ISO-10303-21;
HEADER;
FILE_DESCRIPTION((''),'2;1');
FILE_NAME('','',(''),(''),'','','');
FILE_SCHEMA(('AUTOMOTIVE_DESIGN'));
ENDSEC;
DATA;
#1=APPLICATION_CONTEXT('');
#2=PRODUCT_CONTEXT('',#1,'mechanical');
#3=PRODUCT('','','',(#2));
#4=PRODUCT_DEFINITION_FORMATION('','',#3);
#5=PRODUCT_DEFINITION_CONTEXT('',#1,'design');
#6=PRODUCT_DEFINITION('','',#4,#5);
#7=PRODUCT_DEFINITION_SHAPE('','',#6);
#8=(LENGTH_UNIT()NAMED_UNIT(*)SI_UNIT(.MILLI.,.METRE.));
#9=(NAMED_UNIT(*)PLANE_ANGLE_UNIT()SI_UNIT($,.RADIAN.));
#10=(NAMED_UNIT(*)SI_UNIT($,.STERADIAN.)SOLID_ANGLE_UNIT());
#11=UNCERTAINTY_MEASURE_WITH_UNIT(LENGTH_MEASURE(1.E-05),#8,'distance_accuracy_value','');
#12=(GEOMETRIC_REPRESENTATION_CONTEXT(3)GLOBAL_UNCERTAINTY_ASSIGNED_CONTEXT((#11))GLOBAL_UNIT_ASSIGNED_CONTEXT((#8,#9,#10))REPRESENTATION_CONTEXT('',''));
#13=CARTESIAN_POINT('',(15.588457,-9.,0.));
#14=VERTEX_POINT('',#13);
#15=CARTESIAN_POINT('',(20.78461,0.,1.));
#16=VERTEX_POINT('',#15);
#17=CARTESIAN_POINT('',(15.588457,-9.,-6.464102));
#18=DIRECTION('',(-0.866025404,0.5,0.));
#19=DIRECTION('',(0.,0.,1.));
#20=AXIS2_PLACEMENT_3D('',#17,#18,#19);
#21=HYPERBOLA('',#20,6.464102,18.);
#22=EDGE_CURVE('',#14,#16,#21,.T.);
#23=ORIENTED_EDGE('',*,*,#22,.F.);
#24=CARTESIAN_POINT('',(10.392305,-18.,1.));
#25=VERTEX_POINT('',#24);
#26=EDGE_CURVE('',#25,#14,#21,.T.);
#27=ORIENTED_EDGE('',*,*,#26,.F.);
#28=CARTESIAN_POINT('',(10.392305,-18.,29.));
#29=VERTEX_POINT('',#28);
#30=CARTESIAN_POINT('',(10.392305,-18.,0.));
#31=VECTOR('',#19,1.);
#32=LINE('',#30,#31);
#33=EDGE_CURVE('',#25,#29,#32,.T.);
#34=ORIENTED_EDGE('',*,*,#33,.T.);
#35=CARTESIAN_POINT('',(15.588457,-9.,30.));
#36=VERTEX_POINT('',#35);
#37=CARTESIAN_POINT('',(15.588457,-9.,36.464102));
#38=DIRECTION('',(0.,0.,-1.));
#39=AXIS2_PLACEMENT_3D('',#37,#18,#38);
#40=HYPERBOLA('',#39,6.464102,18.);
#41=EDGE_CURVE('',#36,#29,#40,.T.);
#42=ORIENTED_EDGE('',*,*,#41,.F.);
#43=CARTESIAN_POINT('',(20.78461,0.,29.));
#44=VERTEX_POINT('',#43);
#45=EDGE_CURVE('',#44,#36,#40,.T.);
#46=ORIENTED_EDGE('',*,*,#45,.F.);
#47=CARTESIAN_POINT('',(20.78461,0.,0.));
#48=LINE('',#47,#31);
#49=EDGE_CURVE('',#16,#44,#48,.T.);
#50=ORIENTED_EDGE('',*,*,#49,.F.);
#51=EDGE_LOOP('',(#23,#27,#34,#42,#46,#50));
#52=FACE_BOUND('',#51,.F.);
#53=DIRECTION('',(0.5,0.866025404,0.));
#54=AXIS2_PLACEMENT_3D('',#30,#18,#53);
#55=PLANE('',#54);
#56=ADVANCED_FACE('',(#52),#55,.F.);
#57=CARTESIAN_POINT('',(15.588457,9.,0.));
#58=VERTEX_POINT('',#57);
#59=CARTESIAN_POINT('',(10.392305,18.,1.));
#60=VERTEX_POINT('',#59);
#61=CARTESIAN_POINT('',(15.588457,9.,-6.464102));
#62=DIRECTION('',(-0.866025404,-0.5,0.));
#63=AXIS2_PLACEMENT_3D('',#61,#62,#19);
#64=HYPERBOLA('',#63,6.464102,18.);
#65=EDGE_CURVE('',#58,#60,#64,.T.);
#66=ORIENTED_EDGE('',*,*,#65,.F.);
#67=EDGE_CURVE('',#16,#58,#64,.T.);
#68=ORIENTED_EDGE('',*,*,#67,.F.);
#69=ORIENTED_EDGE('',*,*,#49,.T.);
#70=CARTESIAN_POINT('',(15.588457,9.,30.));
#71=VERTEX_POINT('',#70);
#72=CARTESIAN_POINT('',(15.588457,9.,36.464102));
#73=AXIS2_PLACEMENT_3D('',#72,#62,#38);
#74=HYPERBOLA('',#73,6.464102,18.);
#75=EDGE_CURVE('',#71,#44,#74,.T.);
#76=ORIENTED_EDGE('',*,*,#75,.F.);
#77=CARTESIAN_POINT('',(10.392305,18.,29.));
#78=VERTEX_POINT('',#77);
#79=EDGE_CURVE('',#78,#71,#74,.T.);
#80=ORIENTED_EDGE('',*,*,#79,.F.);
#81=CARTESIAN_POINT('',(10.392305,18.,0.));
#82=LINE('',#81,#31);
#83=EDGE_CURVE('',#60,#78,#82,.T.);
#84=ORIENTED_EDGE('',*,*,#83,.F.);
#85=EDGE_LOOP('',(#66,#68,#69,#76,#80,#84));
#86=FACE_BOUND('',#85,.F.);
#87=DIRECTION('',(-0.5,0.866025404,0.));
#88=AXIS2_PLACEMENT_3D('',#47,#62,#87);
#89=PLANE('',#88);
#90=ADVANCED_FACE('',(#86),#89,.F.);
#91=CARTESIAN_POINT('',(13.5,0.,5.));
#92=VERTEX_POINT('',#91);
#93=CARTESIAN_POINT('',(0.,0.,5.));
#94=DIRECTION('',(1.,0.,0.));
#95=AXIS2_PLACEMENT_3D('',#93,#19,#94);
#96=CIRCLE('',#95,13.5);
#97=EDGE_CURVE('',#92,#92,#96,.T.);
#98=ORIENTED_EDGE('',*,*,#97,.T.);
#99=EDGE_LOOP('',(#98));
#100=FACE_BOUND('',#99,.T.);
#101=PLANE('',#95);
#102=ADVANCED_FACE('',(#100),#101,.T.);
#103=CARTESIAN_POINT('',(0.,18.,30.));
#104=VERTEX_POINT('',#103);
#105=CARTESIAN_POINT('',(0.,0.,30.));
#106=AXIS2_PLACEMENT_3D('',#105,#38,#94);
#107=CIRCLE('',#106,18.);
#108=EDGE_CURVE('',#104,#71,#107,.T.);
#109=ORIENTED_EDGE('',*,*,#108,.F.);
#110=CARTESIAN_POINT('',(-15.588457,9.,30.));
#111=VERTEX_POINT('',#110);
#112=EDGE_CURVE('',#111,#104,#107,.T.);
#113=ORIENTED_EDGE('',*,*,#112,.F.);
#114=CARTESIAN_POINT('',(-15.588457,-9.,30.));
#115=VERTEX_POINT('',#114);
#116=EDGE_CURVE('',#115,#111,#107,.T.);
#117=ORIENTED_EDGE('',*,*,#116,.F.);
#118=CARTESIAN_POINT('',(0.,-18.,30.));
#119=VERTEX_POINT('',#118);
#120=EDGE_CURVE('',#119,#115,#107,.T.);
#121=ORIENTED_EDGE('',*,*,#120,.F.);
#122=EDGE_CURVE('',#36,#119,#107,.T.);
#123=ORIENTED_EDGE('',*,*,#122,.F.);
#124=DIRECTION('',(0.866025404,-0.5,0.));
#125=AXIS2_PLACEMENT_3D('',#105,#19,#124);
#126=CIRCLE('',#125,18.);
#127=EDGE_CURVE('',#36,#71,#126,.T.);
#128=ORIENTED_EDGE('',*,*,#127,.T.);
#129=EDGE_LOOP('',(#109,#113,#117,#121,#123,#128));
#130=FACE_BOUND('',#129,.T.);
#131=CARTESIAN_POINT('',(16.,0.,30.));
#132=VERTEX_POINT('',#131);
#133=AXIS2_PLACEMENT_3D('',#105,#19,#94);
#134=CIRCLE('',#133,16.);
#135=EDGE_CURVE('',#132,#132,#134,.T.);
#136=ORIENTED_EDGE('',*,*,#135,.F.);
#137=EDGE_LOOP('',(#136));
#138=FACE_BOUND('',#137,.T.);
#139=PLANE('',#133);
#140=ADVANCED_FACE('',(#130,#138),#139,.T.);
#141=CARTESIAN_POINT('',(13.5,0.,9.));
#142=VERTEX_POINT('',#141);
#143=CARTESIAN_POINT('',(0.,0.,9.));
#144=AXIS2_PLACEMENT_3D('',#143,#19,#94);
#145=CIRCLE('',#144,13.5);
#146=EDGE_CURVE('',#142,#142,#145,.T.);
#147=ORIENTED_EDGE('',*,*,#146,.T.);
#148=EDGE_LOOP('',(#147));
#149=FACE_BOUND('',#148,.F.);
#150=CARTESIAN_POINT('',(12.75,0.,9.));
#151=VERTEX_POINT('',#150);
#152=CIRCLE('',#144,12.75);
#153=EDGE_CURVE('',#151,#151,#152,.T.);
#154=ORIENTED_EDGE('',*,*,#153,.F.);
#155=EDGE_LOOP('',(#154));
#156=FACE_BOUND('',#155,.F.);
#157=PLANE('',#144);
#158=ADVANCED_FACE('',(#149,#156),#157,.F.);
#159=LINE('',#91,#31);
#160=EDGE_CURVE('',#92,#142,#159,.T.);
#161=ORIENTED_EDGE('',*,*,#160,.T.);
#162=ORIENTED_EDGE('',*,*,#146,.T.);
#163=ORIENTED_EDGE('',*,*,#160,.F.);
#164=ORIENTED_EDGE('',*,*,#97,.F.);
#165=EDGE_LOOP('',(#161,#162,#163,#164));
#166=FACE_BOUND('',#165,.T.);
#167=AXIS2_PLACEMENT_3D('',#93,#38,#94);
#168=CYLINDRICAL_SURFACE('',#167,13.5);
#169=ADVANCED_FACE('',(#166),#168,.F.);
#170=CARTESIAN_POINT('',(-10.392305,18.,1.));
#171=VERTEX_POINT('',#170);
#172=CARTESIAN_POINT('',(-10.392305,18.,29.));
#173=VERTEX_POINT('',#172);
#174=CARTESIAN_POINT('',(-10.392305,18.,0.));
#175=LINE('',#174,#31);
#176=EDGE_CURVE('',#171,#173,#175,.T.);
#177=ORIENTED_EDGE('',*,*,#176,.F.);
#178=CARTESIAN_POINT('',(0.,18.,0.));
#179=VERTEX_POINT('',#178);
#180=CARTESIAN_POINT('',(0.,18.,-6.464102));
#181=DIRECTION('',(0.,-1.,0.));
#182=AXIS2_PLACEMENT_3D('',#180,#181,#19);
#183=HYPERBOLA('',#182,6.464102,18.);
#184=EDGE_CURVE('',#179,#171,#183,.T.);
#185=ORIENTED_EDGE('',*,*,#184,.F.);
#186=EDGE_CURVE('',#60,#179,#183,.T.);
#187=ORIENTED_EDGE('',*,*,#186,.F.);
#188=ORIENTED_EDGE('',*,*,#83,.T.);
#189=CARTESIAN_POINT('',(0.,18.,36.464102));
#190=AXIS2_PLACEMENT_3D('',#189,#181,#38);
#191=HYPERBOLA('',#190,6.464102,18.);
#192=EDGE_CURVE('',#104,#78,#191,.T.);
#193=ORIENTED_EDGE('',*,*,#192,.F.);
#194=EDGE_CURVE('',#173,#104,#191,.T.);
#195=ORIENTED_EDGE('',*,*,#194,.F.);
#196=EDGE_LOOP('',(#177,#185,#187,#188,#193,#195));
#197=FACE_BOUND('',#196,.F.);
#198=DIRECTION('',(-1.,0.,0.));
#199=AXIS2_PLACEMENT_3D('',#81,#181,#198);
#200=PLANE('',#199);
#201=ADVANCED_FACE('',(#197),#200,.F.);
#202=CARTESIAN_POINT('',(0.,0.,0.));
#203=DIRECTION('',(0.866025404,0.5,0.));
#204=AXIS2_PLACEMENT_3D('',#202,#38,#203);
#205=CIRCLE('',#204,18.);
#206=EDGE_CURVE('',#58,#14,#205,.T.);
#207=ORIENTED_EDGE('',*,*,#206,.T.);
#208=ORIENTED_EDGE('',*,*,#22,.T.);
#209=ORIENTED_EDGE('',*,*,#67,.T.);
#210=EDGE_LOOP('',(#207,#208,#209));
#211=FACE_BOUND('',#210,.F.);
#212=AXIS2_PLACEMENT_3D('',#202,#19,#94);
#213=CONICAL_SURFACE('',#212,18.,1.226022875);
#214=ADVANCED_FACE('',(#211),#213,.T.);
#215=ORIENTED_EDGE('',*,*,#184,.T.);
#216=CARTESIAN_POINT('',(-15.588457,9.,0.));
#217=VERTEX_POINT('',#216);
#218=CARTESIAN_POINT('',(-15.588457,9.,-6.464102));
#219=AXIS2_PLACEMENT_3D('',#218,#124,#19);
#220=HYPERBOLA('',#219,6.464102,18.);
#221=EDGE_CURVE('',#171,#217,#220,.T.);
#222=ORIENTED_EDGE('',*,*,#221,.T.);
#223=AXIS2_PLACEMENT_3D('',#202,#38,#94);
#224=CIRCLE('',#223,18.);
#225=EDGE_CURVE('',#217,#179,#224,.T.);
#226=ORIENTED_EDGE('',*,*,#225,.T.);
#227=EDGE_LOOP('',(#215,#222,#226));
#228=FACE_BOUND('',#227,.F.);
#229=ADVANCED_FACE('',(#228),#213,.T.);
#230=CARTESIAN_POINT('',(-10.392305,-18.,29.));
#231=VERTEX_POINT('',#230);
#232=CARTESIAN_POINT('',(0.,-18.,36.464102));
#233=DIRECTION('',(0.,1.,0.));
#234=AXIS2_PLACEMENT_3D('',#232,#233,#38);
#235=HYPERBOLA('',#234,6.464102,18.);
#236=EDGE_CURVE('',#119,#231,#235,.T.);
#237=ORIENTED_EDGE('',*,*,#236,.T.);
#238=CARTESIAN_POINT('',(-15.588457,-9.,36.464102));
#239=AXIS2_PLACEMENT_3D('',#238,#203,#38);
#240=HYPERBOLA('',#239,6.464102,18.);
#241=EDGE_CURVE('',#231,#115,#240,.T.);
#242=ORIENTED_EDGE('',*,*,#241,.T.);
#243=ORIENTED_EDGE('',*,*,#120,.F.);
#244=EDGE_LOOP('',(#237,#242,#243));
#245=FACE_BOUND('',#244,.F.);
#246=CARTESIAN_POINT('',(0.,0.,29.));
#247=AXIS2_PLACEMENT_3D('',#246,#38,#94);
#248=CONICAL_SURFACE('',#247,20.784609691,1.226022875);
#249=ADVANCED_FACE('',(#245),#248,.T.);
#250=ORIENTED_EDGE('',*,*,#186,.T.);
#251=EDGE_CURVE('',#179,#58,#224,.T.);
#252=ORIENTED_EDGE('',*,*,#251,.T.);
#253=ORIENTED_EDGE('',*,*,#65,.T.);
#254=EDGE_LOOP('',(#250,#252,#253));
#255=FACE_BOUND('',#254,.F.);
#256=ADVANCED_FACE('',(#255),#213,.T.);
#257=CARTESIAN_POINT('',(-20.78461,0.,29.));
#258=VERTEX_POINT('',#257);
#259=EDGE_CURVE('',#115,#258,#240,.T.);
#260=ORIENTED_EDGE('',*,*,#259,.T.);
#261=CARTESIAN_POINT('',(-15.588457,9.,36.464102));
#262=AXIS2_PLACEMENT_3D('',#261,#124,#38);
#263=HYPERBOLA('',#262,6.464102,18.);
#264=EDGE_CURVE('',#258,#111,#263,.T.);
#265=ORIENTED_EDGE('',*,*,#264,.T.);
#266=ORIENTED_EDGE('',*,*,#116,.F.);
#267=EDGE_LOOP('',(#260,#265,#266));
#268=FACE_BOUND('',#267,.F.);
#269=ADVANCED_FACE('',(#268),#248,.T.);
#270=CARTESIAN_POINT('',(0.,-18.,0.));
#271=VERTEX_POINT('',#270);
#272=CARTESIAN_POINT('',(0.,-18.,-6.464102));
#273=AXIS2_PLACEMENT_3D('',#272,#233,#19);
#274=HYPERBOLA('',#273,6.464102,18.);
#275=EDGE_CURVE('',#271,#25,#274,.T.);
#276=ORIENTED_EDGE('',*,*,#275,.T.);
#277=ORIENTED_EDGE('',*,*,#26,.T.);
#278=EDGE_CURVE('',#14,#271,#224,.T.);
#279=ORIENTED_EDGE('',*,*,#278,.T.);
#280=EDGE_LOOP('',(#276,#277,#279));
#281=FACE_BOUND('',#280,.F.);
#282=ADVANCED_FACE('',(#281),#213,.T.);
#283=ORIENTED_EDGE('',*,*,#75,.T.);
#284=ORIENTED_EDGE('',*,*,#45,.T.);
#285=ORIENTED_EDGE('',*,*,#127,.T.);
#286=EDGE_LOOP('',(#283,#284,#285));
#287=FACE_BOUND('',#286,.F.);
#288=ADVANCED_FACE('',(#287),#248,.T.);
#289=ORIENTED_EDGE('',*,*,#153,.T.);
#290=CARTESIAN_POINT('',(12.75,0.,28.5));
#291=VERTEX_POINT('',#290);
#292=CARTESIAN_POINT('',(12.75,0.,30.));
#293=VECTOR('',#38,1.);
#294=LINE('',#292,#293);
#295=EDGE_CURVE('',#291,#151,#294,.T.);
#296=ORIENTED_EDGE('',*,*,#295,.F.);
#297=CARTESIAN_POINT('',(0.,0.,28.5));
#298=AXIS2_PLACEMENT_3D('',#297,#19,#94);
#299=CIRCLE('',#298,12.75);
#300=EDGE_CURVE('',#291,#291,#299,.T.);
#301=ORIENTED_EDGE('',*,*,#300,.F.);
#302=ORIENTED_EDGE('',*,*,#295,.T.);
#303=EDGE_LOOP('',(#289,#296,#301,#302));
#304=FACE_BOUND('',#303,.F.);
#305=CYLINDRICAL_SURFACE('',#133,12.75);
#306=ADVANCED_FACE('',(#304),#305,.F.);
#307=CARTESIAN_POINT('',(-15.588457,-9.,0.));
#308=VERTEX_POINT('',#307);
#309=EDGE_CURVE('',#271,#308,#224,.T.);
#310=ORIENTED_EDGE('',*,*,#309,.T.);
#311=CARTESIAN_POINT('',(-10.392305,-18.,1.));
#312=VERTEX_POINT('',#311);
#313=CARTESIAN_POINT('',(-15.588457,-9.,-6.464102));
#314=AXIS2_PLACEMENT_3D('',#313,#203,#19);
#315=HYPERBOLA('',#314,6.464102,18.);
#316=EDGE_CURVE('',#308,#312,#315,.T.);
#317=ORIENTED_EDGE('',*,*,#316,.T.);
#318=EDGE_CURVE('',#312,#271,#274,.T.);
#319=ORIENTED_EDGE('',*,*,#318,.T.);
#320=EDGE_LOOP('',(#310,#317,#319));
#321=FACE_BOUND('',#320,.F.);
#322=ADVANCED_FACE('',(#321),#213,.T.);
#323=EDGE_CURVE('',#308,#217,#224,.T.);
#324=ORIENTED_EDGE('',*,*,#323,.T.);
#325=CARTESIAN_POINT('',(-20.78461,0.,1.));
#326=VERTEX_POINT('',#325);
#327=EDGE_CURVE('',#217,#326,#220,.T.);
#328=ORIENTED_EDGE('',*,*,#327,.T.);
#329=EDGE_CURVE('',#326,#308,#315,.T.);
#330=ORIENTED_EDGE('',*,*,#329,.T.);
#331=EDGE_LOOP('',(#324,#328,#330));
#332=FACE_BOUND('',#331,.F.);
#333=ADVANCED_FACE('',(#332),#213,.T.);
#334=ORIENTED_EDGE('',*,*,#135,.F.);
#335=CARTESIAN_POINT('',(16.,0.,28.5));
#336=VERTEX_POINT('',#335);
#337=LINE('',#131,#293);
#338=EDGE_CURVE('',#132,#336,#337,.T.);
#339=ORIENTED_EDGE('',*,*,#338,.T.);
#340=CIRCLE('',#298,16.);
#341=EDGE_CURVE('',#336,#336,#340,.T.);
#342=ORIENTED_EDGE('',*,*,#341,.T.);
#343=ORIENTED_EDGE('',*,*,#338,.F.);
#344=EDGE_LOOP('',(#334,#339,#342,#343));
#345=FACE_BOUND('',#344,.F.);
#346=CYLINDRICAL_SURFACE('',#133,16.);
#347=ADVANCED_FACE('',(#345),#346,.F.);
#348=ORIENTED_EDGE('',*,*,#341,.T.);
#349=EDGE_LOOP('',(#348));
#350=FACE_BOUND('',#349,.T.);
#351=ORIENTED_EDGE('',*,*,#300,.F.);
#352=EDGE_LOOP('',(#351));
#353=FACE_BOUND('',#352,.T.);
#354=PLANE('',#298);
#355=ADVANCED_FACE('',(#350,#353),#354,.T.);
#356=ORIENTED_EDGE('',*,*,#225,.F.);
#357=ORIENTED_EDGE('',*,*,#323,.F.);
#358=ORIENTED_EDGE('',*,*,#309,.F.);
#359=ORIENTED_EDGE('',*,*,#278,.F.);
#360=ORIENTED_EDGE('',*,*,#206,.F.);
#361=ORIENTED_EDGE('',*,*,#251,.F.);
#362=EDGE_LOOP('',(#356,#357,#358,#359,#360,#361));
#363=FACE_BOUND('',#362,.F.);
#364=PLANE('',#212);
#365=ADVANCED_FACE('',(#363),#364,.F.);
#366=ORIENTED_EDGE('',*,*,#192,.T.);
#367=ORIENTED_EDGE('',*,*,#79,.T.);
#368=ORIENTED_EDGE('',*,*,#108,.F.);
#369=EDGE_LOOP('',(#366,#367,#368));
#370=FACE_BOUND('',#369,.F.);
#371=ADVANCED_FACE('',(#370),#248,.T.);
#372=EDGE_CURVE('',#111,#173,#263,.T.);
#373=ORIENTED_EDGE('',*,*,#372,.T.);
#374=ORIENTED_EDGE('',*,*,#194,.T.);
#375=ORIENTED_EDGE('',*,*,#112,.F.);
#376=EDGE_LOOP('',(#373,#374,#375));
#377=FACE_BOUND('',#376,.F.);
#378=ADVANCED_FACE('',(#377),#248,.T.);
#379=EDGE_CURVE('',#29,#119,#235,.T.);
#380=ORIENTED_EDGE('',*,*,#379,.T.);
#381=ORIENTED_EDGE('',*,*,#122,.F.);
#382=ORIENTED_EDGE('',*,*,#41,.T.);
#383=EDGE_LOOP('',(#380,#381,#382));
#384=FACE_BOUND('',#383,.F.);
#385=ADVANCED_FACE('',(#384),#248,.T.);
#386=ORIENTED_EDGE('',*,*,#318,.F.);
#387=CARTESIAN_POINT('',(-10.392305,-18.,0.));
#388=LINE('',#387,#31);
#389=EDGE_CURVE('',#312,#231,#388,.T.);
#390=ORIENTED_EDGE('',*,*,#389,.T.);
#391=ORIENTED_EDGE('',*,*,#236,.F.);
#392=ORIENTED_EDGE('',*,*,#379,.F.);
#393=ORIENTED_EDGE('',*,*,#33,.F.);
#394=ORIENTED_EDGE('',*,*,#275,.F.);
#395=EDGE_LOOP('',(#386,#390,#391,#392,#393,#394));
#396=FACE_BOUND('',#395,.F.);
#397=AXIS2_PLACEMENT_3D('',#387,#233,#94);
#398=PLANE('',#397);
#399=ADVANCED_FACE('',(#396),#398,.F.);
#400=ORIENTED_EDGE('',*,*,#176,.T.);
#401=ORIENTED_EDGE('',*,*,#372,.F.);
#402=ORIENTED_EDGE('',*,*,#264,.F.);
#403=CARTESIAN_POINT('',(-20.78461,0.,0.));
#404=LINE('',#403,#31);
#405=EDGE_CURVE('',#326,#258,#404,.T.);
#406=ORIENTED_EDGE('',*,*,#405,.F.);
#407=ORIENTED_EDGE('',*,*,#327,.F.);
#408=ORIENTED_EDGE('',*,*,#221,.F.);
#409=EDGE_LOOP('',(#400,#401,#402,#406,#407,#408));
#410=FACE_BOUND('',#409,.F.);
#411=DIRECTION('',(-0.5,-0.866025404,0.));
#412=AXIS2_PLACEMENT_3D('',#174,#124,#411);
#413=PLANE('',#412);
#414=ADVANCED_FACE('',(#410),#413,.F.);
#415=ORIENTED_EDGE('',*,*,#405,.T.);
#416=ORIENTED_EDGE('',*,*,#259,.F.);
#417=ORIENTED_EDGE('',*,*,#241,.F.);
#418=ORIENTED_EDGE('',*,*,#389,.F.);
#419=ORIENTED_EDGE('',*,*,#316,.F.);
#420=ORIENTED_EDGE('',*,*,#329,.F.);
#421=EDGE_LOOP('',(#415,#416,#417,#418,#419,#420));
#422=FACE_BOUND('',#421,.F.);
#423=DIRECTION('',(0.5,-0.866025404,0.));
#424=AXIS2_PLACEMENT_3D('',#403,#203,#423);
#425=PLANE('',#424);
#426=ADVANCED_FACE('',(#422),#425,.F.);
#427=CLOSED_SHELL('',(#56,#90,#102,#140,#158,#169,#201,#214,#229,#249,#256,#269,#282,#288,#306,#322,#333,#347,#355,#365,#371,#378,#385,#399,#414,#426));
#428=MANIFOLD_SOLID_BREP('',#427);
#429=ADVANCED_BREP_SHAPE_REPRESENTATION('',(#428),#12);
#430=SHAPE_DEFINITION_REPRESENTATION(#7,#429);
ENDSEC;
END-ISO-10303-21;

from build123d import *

# Parameters (mm, degrees)
EXTRUDE_1_DEPTH     = 30
SKETCH_2_R          = 12.75
CUT_EXTRUDE_1_DEPTH = 25
SKETCH_3_R          = 13.5
CUT_EXTRUDE_2_DEPTH = 4
SKETCH_4_R          = 16
CUT_EXTRUDE_3_DEPTH = 1.5


with BuildPart() as part:
    # Эскиз1 → Вытянуть1 (new body)
    with BuildSketch(Plane.XY):
        Polygon((10.392304845, 18), (-10.392304845, 18), (-20.784609691, 0), (-10.392304845, -18), (10.392304845, -18), (20.784609691, 0), align=None)
    extrude(amount=EXTRUDE_1_DEPTH)

    # Эскиз2 → Вырез-Вытянуть1 (cut)
    with BuildSketch(Plane.XY.offset(30)):
        Circle(SKETCH_2_R)
    extrude(amount=-CUT_EXTRUDE_1_DEPTH, mode=Mode.SUBTRACT)

    # Эскиз3 → Вырез-Вытянуть2 (cut)
    with BuildSketch(Plane.XY.offset(5)):
        Circle(SKETCH_3_R)
    extrude(amount=CUT_EXTRUDE_2_DEPTH, mode=Mode.SUBTRACT)

    # Эскиз4 → Вырез-Вытянуть3 (cut)
    with BuildSketch(Plane.XY.offset(30)):
        Circle(SKETCH_4_R)
    extrude(amount=-CUT_EXTRUDE_3_DEPTH, mode=Mode.SUBTRACT)

    # Эскиз5 → Вырез-Повернуть1 (revolve, cut)
    with BuildSketch(Plane(origin=(0, 0, 0), x_dir=(1, 0, 0), z_dir=(0, 1, 0))):
        Polygon((20.784609691, -30), (20.784609691, -29), (18, -30), align=None)
        Polygon((20.784609691, 0), (18, 0), (20.784609691, -1), align=None)
    revolve(axis=Axis((0, 0, 28.5), (0, 0, -1)), mode=Mode.SUBTRACT)


solid = part.part
